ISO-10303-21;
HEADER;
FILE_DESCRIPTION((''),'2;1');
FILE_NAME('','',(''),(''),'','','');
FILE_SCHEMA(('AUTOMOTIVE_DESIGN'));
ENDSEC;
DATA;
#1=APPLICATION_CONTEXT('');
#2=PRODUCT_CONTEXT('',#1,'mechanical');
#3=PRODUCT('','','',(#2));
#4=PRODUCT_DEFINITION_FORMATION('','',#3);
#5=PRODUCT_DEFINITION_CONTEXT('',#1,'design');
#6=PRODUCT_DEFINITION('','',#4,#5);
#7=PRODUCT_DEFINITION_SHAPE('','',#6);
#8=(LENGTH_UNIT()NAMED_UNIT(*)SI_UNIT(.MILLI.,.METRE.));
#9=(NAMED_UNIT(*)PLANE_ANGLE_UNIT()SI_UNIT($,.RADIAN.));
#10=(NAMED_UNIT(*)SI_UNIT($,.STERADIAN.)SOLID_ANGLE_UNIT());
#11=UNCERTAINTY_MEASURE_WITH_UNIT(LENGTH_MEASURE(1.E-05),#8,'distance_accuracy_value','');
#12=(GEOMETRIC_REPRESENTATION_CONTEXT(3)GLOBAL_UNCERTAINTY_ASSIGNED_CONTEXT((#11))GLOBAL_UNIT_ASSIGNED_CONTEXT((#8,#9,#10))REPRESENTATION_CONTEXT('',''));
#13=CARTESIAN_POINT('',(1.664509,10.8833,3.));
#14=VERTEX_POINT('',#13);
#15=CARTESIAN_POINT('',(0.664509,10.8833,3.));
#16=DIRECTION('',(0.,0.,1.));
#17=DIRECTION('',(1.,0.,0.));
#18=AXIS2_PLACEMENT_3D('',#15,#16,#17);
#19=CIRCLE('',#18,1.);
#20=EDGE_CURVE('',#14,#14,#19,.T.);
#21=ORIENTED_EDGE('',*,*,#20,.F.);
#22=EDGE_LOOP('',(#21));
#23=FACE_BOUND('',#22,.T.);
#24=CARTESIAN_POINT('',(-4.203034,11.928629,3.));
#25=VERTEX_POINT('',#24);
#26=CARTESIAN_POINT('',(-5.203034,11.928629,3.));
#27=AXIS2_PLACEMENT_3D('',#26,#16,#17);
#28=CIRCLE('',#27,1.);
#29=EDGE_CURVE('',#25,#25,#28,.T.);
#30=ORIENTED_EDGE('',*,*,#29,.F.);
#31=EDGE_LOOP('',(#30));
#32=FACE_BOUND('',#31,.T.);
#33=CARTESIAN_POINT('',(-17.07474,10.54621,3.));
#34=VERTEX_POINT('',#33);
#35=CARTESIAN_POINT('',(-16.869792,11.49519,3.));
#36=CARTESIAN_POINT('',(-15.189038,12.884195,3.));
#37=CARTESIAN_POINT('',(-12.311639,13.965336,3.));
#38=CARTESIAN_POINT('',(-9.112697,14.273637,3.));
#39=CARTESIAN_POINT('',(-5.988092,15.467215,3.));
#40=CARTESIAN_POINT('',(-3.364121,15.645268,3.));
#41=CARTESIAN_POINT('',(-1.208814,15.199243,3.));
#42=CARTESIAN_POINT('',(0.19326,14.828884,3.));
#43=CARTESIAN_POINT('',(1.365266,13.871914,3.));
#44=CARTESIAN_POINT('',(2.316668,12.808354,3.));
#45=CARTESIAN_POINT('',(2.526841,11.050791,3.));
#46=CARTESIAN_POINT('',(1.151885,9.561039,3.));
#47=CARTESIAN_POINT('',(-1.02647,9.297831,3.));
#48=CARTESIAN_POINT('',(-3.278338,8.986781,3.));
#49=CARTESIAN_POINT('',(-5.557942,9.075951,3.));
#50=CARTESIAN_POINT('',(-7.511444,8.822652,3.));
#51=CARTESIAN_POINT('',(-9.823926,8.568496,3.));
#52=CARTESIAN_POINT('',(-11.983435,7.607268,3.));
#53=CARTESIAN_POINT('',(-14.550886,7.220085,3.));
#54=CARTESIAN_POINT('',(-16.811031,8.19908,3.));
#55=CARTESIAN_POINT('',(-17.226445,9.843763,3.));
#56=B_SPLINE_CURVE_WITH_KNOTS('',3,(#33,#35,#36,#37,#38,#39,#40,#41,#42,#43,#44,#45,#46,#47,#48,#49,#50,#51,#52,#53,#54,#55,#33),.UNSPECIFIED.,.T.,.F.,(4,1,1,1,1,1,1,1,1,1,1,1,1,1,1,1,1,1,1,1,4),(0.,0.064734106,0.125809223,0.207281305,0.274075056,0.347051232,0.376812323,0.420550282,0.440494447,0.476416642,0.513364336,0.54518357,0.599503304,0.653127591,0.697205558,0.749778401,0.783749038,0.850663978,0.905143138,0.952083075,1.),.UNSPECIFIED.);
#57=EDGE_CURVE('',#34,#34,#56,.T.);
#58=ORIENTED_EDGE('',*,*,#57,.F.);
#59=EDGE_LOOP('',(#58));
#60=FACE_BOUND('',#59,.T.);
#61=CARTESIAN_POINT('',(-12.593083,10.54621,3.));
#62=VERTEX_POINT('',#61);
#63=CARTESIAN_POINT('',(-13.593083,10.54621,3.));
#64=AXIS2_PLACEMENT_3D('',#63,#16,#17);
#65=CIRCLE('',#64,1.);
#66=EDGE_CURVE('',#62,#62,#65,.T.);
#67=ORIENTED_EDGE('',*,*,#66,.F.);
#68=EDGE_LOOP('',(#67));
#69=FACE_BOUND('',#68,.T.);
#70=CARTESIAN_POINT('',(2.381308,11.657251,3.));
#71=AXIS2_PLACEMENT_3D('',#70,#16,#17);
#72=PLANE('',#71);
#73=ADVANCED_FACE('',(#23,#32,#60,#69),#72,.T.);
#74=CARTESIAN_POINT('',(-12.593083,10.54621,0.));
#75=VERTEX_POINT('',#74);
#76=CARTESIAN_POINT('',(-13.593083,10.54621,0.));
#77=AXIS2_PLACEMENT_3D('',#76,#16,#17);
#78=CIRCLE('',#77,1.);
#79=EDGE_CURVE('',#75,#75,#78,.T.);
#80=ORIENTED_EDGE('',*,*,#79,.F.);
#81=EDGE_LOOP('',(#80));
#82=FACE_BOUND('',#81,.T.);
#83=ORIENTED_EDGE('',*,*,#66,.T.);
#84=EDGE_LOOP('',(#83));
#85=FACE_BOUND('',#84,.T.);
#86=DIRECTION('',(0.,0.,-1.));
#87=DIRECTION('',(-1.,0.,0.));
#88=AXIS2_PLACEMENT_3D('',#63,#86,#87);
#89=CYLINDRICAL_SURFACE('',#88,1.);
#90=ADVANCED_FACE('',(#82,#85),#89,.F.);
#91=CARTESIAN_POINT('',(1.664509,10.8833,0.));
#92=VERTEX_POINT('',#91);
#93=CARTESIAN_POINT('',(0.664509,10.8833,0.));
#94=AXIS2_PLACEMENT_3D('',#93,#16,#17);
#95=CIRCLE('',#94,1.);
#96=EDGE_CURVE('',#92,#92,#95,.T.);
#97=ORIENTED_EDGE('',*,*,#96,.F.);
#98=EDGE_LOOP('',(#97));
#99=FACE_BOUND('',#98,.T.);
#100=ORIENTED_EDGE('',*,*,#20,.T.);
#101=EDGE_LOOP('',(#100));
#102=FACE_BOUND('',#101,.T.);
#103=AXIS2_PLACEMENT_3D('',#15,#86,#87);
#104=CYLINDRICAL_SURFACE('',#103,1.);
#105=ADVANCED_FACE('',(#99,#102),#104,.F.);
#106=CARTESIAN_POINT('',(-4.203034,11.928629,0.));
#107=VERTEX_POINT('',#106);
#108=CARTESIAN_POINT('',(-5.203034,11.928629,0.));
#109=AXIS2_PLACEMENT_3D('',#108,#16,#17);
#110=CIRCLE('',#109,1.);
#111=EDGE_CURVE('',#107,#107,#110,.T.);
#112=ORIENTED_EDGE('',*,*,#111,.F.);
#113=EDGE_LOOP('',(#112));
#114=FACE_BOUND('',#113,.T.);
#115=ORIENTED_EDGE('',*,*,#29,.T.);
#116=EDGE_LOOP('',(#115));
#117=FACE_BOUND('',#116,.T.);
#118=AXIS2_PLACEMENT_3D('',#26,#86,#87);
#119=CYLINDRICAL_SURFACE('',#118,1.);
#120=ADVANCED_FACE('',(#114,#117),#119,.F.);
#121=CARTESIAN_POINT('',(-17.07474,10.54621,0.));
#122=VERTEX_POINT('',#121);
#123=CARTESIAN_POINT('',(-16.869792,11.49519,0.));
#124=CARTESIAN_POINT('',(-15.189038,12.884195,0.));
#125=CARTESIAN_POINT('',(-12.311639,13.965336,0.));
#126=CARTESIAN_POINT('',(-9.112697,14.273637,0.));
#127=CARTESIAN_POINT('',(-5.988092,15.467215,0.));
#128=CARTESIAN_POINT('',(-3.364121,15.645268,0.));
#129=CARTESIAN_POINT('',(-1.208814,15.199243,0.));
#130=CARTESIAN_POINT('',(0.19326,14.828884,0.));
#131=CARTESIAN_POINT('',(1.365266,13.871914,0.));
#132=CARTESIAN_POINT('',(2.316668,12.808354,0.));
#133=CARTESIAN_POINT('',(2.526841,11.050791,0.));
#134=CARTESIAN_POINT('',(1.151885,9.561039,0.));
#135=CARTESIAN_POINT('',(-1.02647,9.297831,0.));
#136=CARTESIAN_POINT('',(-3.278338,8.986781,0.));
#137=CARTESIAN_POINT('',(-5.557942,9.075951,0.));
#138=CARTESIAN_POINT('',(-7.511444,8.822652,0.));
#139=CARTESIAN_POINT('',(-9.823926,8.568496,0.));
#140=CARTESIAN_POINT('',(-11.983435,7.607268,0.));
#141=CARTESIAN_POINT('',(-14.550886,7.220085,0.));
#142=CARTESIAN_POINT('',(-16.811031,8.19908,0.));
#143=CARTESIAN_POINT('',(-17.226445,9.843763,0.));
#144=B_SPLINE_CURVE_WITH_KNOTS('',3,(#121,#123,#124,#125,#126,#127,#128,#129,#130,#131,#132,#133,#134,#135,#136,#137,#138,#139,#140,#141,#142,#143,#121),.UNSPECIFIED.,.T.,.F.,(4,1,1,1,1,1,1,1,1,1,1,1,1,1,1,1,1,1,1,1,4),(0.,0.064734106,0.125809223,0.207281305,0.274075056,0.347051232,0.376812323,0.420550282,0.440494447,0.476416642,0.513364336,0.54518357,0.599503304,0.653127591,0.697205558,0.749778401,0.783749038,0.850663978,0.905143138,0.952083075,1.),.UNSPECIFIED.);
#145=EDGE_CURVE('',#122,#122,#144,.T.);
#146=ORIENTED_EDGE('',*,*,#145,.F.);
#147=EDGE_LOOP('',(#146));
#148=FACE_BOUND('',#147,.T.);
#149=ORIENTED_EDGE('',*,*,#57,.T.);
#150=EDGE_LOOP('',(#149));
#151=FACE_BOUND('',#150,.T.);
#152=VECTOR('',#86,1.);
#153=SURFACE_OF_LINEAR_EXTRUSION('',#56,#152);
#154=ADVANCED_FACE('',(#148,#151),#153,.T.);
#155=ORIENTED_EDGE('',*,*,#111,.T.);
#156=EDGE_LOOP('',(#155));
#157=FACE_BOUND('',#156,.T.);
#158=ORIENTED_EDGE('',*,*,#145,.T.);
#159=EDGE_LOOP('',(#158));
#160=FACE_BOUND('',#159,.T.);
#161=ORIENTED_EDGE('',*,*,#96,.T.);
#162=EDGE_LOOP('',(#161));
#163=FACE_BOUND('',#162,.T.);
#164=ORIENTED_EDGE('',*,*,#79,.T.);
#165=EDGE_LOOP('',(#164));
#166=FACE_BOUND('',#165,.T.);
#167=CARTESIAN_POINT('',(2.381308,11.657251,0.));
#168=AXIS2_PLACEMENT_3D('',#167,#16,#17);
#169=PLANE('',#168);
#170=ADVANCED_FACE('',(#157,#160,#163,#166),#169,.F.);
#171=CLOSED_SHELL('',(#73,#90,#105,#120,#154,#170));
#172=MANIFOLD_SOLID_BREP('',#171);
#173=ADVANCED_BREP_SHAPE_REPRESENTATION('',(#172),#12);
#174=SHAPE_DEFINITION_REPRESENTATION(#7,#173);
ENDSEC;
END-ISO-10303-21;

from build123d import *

# Parameters (mm, degrees)
SKETCH1_R           = 1
BOSS_EXTRUDE1_DEPTH = 3


with BuildPart() as part:
    # Sketch1 → Boss-Extrude1 (new body)
    with BuildSketch(Plane.XY):
        with BuildLine():
            add(Edge.make_bspline(
                [(-17.074740123, 10.546209688), (-16.869791791, 11.4951904), (-15.18903758, 12.884194545), (-12.311639203, 13.965336301), (-9.112696586, 14.273637066), (-5.988092391, 15.467215488), (-3.364120851, 15.645267824), (-1.208813654, 15.199242508), (0.193260384, 14.828884468), (1.365266095, 13.871913892), (2.316668382, 12.808353966), (2.526841308, 11.050790683), (1.151885174, 9.561039335), (-1.026470169, 9.297830917), (-3.278337639, 8.986780597), (-5.557941854, 9.075951408), (-7.511444078, 8.822651501), (-9.823926079, 8.568495952), (-11.983434709, 7.60726753), (-14.550886302, 7.220084903), (-16.811031378, 8.199080092), (-17.226445219, 9.843763325), (-17.074740123, 10.546209688)],
                knots=[0, 0, 0, 0, 0.064734106, 0.125809223, 0.207281305, 0.274075056, 0.347051232, 0.376812323, 0.420550282, 0.440494447, 0.476416642, 0.513364336, 0.54518357, 0.599503304, 0.653127591, 0.697205558, 0.749778401, 0.783749038, 0.850663978, 0.905143138, 0.952083075, 1, 1, 1, 1], degree=3))
        make_face()
        with Locations((-13.593083041, 10.546209688)):
            Circle(SKETCH1_R, mode=Mode.SUBTRACT)
        with Locations((0.664508579, 10.883300461)):
            Circle(SKETCH1_R, mode=Mode.SUBTRACT)
        with Locations((-5.203033993, 11.928629148)):
            Circle(SKETCH1_R, mode=Mode.SUBTRACT)
    extrude(amount=BOSS_EXTRUDE1_DEPTH)


solid = part.part
